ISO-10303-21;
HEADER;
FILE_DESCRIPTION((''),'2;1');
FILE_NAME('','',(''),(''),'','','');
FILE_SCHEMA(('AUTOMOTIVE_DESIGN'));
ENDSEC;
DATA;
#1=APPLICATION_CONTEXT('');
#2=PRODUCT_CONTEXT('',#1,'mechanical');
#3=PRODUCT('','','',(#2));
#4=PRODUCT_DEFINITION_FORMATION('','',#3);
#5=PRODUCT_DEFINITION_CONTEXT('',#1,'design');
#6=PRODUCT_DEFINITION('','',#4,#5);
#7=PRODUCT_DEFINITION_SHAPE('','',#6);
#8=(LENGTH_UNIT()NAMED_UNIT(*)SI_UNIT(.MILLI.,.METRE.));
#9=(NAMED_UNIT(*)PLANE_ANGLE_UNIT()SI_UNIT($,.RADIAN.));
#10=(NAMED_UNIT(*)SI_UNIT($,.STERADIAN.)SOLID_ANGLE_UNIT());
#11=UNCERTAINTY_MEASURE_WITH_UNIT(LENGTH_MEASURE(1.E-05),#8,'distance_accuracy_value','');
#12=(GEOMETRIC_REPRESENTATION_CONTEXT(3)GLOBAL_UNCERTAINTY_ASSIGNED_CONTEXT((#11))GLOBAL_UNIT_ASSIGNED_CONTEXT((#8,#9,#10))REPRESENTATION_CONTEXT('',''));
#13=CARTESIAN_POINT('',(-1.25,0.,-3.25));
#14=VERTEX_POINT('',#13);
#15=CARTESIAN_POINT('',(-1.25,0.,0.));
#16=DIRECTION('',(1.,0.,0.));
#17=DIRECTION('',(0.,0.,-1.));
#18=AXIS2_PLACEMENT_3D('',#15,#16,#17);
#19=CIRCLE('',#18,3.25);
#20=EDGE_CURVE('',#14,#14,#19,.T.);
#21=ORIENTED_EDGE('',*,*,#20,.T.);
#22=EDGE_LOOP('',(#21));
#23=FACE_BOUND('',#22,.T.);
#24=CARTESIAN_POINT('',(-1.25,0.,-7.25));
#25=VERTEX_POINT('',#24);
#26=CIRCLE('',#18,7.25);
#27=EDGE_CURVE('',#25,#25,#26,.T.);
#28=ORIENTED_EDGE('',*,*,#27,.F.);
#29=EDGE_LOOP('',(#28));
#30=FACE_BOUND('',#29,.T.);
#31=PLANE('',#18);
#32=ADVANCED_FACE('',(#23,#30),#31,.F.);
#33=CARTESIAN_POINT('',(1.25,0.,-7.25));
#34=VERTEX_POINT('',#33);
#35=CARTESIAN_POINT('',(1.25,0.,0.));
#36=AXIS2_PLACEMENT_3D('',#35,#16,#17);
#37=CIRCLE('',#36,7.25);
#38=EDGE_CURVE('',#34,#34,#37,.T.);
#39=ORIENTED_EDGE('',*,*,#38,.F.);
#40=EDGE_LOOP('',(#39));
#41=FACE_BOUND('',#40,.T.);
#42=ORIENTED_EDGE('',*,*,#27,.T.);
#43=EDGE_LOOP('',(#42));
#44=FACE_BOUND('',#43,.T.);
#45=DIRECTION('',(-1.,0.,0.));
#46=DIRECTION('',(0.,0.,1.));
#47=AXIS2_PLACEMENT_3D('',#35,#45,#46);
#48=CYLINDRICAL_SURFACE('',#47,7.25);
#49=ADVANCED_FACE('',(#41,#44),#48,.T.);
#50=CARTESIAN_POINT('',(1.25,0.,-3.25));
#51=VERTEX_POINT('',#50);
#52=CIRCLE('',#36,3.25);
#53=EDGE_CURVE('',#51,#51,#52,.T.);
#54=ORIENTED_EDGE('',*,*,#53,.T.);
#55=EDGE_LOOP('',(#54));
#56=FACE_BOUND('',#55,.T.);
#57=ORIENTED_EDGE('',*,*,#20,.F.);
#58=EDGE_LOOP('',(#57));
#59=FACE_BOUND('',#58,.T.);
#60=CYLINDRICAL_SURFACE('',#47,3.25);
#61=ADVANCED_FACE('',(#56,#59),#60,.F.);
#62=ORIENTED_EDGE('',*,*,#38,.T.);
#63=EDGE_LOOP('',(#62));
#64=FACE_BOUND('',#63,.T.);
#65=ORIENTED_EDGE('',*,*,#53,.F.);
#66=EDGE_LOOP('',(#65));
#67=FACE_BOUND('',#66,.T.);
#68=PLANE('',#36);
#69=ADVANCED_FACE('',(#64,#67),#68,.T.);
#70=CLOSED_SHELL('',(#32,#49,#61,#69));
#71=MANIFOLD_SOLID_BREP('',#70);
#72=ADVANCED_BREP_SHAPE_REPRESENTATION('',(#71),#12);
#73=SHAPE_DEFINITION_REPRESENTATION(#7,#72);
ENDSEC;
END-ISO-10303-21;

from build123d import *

# Parameters (mm, degrees)
CROQUIS2_R              = 7.25
CROQUIS2_R_2            = 3.25
SALIENTE_EXTRUIR1_DEPTH = 1.25


with BuildPart() as part:
    # Croquis2 → Saliente-Extruir1 (new, symmetric)
    with BuildSketch(Plane(origin=(0, 0, 0), x_dir=(0, 0, -1), z_dir=(1, 0, 0))):
        Circle(CROQUIS2_R)
        Circle(CROQUIS2_R_2, mode=Mode.SUBTRACT)
    extrude(amount=SALIENTE_EXTRUIR1_DEPTH, both=True)


solid = part.part
